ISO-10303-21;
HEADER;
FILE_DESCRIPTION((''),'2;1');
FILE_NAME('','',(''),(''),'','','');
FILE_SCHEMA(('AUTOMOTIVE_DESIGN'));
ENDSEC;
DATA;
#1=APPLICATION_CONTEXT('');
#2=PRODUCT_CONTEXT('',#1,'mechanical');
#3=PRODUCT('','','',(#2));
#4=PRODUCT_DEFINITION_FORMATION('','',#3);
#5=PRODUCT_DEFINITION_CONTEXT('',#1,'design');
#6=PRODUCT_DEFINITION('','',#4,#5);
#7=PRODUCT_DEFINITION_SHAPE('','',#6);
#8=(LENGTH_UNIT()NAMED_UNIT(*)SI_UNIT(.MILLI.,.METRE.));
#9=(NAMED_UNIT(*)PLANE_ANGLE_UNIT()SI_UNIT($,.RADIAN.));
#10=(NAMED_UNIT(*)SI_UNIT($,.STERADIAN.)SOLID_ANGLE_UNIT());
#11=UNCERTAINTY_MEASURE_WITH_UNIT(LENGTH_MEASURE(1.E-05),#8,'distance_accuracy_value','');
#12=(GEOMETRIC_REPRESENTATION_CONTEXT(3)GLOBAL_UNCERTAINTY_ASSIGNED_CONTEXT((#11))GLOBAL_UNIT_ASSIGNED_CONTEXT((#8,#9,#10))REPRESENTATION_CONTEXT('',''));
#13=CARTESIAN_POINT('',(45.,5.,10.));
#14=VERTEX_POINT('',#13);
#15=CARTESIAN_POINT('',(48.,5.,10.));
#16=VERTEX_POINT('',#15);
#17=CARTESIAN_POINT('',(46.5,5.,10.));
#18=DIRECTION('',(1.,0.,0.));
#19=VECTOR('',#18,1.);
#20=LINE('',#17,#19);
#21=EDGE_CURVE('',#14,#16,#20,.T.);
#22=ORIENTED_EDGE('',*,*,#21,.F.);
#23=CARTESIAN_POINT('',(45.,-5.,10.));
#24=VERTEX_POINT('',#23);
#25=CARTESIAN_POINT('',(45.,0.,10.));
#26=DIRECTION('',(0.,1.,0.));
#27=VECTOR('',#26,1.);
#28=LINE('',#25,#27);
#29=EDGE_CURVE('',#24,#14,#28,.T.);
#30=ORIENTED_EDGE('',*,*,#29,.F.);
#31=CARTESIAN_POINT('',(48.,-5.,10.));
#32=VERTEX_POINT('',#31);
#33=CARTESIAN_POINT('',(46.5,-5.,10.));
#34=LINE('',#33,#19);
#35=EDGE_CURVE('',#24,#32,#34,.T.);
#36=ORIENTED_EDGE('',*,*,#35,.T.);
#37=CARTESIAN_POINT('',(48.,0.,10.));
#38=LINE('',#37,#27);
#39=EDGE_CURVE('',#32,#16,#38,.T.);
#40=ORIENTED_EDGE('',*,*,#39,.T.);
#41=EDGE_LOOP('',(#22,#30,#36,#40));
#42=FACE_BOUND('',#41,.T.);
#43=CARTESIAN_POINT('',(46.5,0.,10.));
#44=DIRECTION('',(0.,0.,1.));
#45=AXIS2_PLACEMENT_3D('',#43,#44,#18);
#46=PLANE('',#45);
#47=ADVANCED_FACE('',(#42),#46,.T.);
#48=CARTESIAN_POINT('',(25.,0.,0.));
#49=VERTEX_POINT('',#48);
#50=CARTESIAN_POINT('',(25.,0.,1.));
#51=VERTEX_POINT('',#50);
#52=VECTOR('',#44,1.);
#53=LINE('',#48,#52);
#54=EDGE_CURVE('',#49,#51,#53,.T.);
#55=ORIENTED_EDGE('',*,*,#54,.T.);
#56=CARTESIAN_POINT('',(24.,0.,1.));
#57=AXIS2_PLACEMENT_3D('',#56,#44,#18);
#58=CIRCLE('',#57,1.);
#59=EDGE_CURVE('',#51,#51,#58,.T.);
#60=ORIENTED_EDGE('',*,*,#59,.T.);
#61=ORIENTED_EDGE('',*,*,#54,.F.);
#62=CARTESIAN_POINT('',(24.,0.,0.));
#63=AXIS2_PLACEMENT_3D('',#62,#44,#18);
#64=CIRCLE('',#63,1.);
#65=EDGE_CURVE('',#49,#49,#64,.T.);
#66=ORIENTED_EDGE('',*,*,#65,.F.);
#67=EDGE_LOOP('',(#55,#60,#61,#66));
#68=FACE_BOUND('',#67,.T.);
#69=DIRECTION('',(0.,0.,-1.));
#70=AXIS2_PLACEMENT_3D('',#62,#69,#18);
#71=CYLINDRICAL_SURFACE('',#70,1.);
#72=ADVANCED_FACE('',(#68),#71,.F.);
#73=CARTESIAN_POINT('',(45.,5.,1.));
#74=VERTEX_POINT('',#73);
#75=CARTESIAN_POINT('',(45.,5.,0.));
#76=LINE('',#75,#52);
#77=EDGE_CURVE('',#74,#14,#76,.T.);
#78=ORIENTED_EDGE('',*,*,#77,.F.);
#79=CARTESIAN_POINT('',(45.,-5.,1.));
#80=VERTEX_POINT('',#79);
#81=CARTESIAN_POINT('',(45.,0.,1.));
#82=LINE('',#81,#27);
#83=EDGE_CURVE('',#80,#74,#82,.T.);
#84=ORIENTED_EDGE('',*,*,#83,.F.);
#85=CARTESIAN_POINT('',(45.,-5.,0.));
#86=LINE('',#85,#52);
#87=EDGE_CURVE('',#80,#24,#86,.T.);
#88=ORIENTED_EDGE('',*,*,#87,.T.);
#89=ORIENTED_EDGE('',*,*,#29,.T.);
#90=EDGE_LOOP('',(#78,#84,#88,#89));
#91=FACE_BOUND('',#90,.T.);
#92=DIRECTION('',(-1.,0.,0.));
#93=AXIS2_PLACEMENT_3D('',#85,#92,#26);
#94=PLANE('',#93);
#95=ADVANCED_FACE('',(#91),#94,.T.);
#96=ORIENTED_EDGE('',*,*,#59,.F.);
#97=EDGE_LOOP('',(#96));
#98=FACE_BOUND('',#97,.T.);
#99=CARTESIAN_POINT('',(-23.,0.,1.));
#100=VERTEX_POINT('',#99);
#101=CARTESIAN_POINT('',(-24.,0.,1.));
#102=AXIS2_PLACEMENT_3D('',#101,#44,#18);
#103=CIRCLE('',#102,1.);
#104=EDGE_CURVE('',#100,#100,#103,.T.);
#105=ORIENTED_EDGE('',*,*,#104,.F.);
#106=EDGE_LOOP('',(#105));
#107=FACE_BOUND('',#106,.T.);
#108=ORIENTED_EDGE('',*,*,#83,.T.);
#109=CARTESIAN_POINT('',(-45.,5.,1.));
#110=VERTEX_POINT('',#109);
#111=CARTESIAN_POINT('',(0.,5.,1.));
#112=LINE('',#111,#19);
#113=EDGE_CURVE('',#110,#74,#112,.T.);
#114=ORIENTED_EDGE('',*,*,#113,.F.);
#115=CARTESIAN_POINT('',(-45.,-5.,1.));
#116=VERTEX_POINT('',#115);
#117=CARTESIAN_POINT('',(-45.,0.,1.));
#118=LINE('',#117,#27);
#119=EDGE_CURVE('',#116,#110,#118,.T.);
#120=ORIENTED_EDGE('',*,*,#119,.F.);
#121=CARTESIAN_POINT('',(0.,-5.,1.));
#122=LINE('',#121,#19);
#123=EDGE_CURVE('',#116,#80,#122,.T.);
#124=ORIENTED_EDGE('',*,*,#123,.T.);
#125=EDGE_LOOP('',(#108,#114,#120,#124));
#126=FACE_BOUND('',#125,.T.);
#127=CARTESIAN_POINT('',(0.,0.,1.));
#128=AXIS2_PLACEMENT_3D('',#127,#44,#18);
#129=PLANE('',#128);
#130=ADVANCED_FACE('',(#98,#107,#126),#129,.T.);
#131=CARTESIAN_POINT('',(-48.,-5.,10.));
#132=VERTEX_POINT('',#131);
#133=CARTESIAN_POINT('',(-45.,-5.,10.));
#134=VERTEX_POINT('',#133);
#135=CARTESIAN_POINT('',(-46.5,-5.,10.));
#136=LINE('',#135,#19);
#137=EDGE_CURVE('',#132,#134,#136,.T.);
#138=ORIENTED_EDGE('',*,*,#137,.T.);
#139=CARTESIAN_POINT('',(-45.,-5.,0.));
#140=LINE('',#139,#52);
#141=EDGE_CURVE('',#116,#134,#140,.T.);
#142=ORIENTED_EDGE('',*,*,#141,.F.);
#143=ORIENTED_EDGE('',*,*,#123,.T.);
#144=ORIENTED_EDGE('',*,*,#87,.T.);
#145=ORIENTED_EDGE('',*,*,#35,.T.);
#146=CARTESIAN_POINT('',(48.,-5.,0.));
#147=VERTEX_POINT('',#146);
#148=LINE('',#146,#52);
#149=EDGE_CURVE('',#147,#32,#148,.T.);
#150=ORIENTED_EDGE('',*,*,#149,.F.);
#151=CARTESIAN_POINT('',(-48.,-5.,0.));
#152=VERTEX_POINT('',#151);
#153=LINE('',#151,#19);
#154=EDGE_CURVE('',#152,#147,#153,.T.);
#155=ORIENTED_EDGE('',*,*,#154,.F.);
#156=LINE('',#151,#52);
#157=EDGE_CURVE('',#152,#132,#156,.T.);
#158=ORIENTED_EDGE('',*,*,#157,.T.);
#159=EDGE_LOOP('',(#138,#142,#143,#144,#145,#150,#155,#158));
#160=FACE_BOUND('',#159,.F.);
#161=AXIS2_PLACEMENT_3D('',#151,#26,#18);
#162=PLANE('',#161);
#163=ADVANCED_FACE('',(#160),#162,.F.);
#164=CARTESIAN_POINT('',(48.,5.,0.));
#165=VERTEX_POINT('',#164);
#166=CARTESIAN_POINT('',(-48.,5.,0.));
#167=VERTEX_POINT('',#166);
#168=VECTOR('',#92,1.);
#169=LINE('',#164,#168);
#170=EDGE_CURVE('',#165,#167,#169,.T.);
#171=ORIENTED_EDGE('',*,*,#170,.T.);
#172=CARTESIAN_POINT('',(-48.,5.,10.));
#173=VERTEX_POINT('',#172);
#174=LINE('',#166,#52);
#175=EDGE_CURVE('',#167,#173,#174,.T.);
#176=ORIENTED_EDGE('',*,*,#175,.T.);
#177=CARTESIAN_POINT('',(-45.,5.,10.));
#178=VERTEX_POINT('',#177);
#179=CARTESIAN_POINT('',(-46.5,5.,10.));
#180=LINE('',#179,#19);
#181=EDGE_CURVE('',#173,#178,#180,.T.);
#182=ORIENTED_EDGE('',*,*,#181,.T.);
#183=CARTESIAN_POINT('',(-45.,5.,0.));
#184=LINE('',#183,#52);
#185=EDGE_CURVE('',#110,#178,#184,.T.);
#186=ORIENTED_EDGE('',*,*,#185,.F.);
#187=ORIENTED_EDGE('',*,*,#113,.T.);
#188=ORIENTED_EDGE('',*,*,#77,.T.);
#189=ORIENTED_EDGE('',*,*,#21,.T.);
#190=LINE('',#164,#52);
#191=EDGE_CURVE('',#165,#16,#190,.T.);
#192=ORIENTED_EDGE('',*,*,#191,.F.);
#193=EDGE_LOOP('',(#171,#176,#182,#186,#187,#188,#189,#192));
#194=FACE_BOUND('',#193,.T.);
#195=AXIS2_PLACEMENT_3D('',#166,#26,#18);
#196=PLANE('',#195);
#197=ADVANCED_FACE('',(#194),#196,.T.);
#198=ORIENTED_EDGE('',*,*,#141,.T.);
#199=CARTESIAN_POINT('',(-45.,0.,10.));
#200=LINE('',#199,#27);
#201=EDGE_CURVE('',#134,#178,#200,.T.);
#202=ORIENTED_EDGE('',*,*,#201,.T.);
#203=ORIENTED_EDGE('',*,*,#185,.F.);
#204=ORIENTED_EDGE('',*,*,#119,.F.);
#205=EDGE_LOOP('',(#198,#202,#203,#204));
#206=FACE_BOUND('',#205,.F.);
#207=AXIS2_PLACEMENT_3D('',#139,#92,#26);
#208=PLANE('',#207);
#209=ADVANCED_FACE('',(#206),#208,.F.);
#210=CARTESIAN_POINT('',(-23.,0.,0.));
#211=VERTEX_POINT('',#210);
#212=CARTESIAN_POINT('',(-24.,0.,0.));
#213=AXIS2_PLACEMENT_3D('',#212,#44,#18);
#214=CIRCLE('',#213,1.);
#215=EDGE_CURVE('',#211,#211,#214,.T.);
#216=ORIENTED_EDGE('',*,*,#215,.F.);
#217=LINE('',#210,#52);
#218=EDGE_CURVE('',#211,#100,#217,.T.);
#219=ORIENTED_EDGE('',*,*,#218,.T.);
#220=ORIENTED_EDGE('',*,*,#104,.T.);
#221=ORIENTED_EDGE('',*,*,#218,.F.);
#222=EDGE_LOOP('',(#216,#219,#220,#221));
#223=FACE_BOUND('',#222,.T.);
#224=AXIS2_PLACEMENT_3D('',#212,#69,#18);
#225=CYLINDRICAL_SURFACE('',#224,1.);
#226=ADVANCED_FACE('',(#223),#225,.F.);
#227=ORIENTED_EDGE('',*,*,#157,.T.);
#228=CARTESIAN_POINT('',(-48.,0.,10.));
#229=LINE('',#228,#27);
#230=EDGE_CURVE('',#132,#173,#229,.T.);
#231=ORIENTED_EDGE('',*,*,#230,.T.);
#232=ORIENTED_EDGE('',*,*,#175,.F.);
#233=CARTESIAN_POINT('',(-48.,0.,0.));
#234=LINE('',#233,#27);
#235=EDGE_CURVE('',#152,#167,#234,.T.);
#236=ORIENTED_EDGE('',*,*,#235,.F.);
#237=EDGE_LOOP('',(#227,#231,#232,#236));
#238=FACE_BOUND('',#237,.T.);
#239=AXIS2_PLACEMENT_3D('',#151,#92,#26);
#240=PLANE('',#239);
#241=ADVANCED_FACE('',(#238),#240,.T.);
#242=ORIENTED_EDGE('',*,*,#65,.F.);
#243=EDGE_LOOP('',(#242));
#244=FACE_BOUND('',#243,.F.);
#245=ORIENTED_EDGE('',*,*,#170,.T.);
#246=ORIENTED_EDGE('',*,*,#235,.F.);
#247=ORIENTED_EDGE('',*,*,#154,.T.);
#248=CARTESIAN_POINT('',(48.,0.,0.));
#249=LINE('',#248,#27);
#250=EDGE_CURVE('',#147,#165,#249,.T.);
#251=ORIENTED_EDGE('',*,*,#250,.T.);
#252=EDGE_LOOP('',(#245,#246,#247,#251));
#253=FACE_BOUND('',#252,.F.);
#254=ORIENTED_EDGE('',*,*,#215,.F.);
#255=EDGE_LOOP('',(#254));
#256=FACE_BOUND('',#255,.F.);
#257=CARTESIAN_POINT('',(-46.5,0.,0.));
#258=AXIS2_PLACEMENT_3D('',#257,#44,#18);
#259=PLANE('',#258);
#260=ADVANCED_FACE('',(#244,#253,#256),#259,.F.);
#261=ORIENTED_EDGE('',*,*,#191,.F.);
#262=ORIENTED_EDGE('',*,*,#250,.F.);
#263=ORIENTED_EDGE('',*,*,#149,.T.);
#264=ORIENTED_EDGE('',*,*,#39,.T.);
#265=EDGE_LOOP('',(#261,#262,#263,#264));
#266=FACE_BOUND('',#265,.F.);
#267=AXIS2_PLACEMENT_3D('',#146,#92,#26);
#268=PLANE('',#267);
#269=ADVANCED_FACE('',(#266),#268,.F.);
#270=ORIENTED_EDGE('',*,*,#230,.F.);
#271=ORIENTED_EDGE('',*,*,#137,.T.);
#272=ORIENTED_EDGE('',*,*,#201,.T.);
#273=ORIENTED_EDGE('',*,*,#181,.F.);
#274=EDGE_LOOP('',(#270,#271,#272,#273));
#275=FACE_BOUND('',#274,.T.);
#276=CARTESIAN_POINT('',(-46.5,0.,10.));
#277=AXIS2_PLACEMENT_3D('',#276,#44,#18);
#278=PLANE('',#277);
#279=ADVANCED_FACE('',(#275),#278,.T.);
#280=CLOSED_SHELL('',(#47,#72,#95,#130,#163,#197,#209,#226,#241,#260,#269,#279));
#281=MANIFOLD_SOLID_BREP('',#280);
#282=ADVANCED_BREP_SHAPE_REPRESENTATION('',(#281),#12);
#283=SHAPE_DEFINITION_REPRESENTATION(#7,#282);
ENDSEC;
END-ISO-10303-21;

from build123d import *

# Parameters (mm, degrees)
SKETCH_W     = 90
SKETCH_H     = 10
SKETCH_R     = 1
PAD_DEPTH    = 1
SKETCH001_W  = 3
SKETCH001_H  = 10
PAD001_DEPTH = 10


with BuildPart() as part:
    # Sketch → Pad (new body)
    with BuildSketch(Plane.XY):
        Rectangle(SKETCH_W, SKETCH_H)
        with Locations((-24, 0)):
            Circle(SKETCH_R, mode=Mode.SUBTRACT)
        with Locations((24, 0)):
            Circle(SKETCH_R, mode=Mode.SUBTRACT)
    extrude(amount=PAD_DEPTH)

    # Sketch001 → Pad001 (join)
    with BuildSketch(Plane.XY):
        with Locations((-46.5, 0)):
            Rectangle(SKETCH001_W, SKETCH001_H)
        with Locations((46.5, 0)):
            Rectangle(SKETCH001_W, SKETCH001_H)
    extrude(amount=PAD001_DEPTH)


solid = part.part
